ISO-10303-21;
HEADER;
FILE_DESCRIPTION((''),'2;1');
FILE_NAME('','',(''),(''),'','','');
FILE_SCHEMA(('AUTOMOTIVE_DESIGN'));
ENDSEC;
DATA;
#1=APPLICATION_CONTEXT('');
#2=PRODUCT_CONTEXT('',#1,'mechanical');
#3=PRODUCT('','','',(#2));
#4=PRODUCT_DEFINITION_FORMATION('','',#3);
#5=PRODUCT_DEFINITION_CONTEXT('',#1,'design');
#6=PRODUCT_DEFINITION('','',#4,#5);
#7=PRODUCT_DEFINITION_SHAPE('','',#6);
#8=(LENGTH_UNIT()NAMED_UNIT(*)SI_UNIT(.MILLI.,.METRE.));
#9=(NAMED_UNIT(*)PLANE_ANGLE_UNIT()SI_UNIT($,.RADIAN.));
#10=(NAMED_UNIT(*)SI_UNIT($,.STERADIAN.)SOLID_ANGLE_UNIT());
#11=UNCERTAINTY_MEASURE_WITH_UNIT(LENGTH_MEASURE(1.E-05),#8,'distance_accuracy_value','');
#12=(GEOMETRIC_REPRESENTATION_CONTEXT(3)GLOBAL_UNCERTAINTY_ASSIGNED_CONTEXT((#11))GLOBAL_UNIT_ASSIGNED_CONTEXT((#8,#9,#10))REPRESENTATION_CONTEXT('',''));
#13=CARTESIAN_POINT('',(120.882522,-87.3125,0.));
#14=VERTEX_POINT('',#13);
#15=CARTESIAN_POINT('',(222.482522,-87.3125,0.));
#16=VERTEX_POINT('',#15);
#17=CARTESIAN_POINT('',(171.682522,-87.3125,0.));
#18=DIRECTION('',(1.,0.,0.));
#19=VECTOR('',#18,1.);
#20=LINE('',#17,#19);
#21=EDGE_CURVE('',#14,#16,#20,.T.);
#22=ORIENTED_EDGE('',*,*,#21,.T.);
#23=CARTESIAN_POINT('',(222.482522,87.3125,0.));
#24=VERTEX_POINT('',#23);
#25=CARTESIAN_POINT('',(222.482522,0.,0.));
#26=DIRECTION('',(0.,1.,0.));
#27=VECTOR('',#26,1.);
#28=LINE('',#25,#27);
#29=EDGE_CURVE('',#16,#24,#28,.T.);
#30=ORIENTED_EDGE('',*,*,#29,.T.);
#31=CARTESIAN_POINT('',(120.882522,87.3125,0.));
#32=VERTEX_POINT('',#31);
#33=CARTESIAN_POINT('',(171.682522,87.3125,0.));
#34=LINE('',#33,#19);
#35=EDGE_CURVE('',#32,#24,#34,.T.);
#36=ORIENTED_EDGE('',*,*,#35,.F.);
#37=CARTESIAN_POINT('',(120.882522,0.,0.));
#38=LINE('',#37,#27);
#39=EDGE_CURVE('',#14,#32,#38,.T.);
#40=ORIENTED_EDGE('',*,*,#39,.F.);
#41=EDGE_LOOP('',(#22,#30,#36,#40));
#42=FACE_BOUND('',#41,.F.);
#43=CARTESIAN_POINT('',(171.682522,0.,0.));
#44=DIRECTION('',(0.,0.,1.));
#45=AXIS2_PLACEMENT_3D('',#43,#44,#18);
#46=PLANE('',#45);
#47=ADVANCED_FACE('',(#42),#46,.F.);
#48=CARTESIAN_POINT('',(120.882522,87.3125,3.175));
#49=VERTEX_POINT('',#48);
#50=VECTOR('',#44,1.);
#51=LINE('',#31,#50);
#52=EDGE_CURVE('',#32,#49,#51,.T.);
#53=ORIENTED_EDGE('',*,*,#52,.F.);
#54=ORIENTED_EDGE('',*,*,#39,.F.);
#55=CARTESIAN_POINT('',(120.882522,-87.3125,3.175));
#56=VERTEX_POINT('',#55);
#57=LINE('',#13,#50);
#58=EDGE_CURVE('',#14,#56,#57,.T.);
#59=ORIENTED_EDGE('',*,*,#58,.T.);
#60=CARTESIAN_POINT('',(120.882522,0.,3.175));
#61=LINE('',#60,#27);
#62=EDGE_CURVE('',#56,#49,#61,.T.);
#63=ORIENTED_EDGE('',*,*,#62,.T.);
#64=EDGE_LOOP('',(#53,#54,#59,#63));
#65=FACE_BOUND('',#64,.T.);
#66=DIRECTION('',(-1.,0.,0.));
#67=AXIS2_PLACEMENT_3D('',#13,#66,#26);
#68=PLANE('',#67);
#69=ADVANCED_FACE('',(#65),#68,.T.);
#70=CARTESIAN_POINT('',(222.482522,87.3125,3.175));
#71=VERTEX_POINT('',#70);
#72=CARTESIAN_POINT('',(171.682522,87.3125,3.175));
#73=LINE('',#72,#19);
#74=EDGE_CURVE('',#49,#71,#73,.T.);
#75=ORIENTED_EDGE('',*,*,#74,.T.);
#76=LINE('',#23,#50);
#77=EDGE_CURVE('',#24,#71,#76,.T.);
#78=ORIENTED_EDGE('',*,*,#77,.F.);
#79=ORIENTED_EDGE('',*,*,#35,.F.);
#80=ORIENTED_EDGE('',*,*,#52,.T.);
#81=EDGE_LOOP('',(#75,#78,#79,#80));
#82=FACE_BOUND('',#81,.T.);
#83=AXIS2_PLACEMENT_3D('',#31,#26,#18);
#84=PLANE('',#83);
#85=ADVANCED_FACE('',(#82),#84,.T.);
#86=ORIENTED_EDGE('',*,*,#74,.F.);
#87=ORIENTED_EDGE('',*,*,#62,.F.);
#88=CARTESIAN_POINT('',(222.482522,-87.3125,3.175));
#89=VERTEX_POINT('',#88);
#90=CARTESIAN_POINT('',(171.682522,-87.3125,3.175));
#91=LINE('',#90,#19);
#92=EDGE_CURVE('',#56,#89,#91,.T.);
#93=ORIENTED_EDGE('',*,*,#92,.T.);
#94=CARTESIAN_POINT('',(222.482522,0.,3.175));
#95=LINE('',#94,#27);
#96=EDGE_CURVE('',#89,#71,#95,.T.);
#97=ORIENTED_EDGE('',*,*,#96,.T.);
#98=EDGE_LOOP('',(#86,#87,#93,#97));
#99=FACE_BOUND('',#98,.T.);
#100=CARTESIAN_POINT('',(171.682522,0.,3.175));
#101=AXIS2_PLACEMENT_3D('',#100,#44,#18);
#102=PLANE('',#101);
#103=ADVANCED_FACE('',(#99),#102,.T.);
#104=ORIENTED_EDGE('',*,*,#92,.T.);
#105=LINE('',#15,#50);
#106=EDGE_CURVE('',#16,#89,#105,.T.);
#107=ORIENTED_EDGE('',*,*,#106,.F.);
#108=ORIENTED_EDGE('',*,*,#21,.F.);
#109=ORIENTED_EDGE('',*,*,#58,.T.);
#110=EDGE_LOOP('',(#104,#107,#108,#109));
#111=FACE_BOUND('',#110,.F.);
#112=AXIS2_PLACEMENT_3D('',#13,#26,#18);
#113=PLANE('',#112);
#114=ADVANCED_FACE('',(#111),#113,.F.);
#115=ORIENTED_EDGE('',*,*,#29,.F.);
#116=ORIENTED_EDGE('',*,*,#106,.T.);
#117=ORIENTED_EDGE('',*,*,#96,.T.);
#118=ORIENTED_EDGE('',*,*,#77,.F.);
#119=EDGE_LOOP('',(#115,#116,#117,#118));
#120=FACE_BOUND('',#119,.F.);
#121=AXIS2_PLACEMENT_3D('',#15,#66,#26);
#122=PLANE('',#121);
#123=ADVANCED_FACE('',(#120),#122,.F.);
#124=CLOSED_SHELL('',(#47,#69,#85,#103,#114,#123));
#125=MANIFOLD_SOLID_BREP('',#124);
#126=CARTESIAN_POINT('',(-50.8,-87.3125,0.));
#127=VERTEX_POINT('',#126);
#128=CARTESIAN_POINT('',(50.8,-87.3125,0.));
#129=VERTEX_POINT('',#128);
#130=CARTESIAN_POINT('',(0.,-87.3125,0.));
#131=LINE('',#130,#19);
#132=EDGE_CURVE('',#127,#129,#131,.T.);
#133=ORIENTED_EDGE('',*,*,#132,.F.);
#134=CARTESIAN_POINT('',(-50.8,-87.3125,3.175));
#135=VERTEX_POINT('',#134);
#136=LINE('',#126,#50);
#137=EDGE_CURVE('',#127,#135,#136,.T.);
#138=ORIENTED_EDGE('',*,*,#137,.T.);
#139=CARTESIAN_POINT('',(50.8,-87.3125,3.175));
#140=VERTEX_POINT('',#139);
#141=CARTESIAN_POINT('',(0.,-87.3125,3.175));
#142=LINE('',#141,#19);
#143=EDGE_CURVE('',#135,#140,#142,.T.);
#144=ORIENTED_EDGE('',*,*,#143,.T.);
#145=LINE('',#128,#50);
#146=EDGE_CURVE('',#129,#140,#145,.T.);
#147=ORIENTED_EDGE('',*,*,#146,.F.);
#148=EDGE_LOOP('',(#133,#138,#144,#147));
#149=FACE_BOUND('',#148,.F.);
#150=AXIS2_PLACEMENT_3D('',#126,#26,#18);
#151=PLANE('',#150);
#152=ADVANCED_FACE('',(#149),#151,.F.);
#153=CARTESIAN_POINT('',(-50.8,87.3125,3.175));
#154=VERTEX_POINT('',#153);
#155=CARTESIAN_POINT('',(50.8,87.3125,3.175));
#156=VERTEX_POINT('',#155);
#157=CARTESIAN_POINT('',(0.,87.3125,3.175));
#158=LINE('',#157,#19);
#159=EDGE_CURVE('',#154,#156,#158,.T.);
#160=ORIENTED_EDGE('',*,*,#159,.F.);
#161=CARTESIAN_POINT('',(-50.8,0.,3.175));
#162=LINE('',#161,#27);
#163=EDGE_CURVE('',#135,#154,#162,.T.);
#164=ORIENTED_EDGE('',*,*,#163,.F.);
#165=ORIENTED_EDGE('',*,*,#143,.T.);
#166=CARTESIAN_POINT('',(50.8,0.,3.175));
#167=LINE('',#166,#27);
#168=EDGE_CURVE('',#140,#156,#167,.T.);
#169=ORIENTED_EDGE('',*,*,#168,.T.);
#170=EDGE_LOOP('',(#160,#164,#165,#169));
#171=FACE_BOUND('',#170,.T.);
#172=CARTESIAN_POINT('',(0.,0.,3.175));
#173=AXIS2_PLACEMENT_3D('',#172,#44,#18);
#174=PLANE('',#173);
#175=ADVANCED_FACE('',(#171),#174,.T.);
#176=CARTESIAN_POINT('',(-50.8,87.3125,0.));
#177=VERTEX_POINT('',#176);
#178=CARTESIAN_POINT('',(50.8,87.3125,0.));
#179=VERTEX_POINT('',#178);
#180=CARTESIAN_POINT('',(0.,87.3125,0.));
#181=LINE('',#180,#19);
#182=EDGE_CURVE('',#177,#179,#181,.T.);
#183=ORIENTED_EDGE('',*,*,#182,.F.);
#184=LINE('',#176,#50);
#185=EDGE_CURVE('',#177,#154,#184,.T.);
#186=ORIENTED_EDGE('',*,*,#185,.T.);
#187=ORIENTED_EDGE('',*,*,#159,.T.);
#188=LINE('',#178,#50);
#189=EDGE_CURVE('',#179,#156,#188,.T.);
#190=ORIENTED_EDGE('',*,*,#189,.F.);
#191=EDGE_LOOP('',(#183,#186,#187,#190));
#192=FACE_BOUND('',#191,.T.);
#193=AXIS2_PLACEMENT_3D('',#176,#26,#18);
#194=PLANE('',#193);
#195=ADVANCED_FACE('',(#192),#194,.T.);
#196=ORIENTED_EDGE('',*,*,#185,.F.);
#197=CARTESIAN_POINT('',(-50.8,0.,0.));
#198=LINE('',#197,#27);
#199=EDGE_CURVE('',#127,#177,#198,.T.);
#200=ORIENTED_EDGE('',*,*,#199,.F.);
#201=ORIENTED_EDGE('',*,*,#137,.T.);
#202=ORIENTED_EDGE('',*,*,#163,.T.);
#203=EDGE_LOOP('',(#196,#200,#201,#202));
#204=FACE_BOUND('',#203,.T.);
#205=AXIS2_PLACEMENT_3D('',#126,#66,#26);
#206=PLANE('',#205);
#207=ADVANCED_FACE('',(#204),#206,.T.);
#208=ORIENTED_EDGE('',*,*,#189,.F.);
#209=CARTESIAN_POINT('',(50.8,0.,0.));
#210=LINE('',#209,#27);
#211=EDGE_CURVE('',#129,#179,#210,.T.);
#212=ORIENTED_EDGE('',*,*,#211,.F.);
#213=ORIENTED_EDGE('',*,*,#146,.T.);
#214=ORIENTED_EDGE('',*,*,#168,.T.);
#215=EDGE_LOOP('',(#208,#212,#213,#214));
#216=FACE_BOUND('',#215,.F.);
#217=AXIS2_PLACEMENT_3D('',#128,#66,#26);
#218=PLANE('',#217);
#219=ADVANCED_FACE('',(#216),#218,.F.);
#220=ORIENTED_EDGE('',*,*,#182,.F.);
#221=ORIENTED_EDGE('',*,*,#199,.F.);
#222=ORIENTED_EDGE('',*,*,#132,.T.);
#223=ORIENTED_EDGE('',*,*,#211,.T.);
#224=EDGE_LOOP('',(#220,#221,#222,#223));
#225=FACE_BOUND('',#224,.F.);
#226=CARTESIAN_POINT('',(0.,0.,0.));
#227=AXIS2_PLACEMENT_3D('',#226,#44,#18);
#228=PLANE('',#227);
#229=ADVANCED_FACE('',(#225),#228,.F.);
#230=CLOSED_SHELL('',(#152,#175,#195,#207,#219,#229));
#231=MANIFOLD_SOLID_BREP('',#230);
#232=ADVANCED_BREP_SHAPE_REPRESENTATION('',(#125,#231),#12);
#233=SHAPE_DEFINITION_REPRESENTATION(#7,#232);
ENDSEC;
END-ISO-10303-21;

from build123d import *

# Parameters (mm, degrees)
F0_W     = 101.6
F0_H     = 174.625
F1_DEPTH = 3.175
F2_DEPTH = 3.175


with BuildPart() as f1:
    # F0 (on Top) → F1 (new body)
    with BuildSketch(Plane.XY):
        Rectangle(F0_W, F0_H)
    extrude(amount=F1_DEPTH)


with BuildPart() as f2:
    # F0 (on Top) → F2 (new body)
    with BuildSketch(Plane.XY):
        with Locations((171.682522, 0)):
            Rectangle(F0_W, F0_H)
    extrude(amount=F2_DEPTH)


solid = Compound([f1.part, f2.part])
